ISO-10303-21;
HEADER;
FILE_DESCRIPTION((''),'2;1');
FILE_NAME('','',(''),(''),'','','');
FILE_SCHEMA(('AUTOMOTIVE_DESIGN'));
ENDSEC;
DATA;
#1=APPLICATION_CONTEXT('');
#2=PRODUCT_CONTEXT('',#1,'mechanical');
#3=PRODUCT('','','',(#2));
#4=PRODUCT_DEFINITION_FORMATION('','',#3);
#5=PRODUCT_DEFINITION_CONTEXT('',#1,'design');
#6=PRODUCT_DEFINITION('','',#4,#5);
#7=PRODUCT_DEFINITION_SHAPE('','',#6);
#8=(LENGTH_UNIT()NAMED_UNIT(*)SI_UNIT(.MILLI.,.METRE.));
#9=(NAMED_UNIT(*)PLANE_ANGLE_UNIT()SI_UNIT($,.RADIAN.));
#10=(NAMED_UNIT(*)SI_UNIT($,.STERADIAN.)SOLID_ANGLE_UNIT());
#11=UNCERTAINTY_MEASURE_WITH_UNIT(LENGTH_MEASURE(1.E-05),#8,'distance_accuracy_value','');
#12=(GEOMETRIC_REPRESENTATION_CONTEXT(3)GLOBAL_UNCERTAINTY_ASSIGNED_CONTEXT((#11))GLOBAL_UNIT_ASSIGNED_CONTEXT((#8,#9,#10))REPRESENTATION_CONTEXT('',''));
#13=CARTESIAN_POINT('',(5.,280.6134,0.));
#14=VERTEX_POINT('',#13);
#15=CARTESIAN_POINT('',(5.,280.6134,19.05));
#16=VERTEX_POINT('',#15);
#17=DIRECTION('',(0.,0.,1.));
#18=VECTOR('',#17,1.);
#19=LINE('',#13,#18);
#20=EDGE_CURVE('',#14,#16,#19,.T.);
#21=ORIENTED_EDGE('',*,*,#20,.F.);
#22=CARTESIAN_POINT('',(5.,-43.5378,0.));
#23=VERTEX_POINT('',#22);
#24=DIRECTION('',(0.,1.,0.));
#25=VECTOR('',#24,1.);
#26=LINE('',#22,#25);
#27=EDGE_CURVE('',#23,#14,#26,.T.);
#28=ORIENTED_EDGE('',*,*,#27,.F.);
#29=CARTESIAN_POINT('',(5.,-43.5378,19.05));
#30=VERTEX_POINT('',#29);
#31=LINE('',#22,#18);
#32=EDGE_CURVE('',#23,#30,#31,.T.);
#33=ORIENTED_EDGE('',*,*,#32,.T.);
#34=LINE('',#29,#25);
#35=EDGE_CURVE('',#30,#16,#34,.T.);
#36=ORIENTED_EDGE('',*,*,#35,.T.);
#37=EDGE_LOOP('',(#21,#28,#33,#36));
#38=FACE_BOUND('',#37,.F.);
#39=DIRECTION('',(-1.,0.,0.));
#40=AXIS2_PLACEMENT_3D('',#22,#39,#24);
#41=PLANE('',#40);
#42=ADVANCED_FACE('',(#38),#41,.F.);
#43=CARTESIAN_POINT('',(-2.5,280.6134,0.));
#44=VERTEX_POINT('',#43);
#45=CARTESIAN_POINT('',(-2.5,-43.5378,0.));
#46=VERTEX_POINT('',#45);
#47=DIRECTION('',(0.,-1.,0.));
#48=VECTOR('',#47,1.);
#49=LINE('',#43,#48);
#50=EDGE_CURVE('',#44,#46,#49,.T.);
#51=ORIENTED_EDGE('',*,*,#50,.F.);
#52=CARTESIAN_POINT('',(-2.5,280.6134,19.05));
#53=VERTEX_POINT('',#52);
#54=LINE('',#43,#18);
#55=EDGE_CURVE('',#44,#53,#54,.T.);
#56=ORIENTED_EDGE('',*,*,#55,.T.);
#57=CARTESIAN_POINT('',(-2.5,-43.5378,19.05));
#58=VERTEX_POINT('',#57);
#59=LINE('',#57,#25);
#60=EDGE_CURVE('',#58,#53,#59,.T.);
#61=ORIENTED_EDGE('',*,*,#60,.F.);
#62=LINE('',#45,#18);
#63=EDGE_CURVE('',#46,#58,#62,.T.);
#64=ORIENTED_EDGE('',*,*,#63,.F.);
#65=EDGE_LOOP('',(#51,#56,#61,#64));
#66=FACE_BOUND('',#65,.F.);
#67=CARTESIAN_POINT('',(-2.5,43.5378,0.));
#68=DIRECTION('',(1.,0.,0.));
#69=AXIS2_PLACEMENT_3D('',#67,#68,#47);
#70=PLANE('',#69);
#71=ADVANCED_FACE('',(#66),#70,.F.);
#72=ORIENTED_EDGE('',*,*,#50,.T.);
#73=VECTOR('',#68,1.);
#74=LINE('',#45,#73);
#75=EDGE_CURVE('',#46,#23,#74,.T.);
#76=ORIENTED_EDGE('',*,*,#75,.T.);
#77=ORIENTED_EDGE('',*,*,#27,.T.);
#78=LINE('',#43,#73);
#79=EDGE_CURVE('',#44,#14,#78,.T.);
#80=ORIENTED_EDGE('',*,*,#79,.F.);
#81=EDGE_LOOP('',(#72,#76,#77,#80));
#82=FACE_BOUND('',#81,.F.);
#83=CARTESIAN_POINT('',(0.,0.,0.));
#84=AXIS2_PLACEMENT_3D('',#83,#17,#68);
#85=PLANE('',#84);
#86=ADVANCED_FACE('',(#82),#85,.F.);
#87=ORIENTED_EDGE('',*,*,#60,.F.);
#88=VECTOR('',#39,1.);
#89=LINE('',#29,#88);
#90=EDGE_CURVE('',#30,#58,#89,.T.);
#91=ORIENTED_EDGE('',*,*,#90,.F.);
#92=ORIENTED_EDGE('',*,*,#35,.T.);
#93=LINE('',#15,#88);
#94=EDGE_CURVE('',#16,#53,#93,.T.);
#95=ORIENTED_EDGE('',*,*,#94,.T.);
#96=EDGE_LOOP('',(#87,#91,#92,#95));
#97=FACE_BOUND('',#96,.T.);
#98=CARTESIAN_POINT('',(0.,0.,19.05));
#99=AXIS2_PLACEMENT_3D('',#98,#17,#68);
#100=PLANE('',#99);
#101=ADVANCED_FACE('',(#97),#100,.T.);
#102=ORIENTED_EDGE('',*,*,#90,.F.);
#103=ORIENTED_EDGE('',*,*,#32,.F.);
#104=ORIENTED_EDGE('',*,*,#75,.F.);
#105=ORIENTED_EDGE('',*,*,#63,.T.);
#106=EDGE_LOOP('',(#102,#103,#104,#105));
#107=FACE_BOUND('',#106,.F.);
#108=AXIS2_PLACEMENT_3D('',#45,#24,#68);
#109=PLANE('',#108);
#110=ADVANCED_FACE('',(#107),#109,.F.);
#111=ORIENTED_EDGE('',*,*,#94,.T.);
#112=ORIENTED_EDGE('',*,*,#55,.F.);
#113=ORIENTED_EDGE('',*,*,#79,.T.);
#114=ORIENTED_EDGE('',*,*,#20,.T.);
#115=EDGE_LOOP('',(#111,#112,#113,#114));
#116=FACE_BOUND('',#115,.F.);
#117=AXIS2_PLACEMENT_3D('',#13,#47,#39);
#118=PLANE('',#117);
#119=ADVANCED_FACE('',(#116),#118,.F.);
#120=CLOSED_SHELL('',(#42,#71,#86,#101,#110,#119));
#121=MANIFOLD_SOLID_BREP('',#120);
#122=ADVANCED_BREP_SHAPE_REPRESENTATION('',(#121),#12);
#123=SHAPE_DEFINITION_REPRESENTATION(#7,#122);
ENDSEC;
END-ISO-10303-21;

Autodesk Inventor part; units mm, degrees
ref_plane "YZ Plane" through (0, 0, 0) normal (1, 0, 0) x (0, 1, 0)
ref_plane "XZ Plane" through (0, 0, 0) normal (0, 1, 0) x (-1, 0, 0)
ref_plane "XY Plane" through (0, 0, 0) normal (0, 0, 1) x (1, 0, 0)
sketch "Sketch1" plane through (0, 0, 0) normal (0, 0, 1) x (1, 0, 0)
  line L0 (2.5, -43.5378) -> (2.5, 43.5378) construction
  line L1 (2.5, 43.5378) -> (-2.5, 43.5378) projected
  line L2 (-2.5, 43.5378) -> (-2.5, -43.5378) projected
  line L3 (-2.5, -43.5378) -> (2.5, -43.5378) projected
  line L4 (-2.5, -43.5378) -> (2.5, -43.5378)
  line L5 (2.5, -43.5378) -> (2.5, 43.5378)
  line L6 (2.5, 43.5378) -> (-2.5, 43.5378) construction
  line L7 (-2.5, 43.5378) -> (-2.5, -43.5378)
  line L8 (-2.5, 193.5378) -> (2.5, 193.5378) construction
  line L9 (2.5, 193.5378) -> (2.5, 280.6134) construction
  line L10 (2.5, 280.6134) -> (-2.5, 280.6134)
  line L11 (-2.5, 280.6134) -> (-2.5, 193.5378)
  line L12 (-2.5, -43.5378) -> (5, -43.5378)
  line L13 (5, -43.5378) -> (5, 280.6134)
  line L14 (5, 280.6134) -> (-2.5, 280.6134)
  line L15 (-2.5, 280.6134) -> (-2.5, -43.5378)
  point P0 (0, 0)
  dimension "d0" = 5
  dimension "d1" = 5
  dimension "d2" = 87.0756
  dimension "d3" = 87.0756
  dimension "d4" = 150
  dimension "d5" = 7.5
extrude "Extrusion1" add sketch "Sketch1" along normal blind 19.05
equation "\"d0\" = d1"
equation "\"d3\" = d2"
properties part number "Mount"
